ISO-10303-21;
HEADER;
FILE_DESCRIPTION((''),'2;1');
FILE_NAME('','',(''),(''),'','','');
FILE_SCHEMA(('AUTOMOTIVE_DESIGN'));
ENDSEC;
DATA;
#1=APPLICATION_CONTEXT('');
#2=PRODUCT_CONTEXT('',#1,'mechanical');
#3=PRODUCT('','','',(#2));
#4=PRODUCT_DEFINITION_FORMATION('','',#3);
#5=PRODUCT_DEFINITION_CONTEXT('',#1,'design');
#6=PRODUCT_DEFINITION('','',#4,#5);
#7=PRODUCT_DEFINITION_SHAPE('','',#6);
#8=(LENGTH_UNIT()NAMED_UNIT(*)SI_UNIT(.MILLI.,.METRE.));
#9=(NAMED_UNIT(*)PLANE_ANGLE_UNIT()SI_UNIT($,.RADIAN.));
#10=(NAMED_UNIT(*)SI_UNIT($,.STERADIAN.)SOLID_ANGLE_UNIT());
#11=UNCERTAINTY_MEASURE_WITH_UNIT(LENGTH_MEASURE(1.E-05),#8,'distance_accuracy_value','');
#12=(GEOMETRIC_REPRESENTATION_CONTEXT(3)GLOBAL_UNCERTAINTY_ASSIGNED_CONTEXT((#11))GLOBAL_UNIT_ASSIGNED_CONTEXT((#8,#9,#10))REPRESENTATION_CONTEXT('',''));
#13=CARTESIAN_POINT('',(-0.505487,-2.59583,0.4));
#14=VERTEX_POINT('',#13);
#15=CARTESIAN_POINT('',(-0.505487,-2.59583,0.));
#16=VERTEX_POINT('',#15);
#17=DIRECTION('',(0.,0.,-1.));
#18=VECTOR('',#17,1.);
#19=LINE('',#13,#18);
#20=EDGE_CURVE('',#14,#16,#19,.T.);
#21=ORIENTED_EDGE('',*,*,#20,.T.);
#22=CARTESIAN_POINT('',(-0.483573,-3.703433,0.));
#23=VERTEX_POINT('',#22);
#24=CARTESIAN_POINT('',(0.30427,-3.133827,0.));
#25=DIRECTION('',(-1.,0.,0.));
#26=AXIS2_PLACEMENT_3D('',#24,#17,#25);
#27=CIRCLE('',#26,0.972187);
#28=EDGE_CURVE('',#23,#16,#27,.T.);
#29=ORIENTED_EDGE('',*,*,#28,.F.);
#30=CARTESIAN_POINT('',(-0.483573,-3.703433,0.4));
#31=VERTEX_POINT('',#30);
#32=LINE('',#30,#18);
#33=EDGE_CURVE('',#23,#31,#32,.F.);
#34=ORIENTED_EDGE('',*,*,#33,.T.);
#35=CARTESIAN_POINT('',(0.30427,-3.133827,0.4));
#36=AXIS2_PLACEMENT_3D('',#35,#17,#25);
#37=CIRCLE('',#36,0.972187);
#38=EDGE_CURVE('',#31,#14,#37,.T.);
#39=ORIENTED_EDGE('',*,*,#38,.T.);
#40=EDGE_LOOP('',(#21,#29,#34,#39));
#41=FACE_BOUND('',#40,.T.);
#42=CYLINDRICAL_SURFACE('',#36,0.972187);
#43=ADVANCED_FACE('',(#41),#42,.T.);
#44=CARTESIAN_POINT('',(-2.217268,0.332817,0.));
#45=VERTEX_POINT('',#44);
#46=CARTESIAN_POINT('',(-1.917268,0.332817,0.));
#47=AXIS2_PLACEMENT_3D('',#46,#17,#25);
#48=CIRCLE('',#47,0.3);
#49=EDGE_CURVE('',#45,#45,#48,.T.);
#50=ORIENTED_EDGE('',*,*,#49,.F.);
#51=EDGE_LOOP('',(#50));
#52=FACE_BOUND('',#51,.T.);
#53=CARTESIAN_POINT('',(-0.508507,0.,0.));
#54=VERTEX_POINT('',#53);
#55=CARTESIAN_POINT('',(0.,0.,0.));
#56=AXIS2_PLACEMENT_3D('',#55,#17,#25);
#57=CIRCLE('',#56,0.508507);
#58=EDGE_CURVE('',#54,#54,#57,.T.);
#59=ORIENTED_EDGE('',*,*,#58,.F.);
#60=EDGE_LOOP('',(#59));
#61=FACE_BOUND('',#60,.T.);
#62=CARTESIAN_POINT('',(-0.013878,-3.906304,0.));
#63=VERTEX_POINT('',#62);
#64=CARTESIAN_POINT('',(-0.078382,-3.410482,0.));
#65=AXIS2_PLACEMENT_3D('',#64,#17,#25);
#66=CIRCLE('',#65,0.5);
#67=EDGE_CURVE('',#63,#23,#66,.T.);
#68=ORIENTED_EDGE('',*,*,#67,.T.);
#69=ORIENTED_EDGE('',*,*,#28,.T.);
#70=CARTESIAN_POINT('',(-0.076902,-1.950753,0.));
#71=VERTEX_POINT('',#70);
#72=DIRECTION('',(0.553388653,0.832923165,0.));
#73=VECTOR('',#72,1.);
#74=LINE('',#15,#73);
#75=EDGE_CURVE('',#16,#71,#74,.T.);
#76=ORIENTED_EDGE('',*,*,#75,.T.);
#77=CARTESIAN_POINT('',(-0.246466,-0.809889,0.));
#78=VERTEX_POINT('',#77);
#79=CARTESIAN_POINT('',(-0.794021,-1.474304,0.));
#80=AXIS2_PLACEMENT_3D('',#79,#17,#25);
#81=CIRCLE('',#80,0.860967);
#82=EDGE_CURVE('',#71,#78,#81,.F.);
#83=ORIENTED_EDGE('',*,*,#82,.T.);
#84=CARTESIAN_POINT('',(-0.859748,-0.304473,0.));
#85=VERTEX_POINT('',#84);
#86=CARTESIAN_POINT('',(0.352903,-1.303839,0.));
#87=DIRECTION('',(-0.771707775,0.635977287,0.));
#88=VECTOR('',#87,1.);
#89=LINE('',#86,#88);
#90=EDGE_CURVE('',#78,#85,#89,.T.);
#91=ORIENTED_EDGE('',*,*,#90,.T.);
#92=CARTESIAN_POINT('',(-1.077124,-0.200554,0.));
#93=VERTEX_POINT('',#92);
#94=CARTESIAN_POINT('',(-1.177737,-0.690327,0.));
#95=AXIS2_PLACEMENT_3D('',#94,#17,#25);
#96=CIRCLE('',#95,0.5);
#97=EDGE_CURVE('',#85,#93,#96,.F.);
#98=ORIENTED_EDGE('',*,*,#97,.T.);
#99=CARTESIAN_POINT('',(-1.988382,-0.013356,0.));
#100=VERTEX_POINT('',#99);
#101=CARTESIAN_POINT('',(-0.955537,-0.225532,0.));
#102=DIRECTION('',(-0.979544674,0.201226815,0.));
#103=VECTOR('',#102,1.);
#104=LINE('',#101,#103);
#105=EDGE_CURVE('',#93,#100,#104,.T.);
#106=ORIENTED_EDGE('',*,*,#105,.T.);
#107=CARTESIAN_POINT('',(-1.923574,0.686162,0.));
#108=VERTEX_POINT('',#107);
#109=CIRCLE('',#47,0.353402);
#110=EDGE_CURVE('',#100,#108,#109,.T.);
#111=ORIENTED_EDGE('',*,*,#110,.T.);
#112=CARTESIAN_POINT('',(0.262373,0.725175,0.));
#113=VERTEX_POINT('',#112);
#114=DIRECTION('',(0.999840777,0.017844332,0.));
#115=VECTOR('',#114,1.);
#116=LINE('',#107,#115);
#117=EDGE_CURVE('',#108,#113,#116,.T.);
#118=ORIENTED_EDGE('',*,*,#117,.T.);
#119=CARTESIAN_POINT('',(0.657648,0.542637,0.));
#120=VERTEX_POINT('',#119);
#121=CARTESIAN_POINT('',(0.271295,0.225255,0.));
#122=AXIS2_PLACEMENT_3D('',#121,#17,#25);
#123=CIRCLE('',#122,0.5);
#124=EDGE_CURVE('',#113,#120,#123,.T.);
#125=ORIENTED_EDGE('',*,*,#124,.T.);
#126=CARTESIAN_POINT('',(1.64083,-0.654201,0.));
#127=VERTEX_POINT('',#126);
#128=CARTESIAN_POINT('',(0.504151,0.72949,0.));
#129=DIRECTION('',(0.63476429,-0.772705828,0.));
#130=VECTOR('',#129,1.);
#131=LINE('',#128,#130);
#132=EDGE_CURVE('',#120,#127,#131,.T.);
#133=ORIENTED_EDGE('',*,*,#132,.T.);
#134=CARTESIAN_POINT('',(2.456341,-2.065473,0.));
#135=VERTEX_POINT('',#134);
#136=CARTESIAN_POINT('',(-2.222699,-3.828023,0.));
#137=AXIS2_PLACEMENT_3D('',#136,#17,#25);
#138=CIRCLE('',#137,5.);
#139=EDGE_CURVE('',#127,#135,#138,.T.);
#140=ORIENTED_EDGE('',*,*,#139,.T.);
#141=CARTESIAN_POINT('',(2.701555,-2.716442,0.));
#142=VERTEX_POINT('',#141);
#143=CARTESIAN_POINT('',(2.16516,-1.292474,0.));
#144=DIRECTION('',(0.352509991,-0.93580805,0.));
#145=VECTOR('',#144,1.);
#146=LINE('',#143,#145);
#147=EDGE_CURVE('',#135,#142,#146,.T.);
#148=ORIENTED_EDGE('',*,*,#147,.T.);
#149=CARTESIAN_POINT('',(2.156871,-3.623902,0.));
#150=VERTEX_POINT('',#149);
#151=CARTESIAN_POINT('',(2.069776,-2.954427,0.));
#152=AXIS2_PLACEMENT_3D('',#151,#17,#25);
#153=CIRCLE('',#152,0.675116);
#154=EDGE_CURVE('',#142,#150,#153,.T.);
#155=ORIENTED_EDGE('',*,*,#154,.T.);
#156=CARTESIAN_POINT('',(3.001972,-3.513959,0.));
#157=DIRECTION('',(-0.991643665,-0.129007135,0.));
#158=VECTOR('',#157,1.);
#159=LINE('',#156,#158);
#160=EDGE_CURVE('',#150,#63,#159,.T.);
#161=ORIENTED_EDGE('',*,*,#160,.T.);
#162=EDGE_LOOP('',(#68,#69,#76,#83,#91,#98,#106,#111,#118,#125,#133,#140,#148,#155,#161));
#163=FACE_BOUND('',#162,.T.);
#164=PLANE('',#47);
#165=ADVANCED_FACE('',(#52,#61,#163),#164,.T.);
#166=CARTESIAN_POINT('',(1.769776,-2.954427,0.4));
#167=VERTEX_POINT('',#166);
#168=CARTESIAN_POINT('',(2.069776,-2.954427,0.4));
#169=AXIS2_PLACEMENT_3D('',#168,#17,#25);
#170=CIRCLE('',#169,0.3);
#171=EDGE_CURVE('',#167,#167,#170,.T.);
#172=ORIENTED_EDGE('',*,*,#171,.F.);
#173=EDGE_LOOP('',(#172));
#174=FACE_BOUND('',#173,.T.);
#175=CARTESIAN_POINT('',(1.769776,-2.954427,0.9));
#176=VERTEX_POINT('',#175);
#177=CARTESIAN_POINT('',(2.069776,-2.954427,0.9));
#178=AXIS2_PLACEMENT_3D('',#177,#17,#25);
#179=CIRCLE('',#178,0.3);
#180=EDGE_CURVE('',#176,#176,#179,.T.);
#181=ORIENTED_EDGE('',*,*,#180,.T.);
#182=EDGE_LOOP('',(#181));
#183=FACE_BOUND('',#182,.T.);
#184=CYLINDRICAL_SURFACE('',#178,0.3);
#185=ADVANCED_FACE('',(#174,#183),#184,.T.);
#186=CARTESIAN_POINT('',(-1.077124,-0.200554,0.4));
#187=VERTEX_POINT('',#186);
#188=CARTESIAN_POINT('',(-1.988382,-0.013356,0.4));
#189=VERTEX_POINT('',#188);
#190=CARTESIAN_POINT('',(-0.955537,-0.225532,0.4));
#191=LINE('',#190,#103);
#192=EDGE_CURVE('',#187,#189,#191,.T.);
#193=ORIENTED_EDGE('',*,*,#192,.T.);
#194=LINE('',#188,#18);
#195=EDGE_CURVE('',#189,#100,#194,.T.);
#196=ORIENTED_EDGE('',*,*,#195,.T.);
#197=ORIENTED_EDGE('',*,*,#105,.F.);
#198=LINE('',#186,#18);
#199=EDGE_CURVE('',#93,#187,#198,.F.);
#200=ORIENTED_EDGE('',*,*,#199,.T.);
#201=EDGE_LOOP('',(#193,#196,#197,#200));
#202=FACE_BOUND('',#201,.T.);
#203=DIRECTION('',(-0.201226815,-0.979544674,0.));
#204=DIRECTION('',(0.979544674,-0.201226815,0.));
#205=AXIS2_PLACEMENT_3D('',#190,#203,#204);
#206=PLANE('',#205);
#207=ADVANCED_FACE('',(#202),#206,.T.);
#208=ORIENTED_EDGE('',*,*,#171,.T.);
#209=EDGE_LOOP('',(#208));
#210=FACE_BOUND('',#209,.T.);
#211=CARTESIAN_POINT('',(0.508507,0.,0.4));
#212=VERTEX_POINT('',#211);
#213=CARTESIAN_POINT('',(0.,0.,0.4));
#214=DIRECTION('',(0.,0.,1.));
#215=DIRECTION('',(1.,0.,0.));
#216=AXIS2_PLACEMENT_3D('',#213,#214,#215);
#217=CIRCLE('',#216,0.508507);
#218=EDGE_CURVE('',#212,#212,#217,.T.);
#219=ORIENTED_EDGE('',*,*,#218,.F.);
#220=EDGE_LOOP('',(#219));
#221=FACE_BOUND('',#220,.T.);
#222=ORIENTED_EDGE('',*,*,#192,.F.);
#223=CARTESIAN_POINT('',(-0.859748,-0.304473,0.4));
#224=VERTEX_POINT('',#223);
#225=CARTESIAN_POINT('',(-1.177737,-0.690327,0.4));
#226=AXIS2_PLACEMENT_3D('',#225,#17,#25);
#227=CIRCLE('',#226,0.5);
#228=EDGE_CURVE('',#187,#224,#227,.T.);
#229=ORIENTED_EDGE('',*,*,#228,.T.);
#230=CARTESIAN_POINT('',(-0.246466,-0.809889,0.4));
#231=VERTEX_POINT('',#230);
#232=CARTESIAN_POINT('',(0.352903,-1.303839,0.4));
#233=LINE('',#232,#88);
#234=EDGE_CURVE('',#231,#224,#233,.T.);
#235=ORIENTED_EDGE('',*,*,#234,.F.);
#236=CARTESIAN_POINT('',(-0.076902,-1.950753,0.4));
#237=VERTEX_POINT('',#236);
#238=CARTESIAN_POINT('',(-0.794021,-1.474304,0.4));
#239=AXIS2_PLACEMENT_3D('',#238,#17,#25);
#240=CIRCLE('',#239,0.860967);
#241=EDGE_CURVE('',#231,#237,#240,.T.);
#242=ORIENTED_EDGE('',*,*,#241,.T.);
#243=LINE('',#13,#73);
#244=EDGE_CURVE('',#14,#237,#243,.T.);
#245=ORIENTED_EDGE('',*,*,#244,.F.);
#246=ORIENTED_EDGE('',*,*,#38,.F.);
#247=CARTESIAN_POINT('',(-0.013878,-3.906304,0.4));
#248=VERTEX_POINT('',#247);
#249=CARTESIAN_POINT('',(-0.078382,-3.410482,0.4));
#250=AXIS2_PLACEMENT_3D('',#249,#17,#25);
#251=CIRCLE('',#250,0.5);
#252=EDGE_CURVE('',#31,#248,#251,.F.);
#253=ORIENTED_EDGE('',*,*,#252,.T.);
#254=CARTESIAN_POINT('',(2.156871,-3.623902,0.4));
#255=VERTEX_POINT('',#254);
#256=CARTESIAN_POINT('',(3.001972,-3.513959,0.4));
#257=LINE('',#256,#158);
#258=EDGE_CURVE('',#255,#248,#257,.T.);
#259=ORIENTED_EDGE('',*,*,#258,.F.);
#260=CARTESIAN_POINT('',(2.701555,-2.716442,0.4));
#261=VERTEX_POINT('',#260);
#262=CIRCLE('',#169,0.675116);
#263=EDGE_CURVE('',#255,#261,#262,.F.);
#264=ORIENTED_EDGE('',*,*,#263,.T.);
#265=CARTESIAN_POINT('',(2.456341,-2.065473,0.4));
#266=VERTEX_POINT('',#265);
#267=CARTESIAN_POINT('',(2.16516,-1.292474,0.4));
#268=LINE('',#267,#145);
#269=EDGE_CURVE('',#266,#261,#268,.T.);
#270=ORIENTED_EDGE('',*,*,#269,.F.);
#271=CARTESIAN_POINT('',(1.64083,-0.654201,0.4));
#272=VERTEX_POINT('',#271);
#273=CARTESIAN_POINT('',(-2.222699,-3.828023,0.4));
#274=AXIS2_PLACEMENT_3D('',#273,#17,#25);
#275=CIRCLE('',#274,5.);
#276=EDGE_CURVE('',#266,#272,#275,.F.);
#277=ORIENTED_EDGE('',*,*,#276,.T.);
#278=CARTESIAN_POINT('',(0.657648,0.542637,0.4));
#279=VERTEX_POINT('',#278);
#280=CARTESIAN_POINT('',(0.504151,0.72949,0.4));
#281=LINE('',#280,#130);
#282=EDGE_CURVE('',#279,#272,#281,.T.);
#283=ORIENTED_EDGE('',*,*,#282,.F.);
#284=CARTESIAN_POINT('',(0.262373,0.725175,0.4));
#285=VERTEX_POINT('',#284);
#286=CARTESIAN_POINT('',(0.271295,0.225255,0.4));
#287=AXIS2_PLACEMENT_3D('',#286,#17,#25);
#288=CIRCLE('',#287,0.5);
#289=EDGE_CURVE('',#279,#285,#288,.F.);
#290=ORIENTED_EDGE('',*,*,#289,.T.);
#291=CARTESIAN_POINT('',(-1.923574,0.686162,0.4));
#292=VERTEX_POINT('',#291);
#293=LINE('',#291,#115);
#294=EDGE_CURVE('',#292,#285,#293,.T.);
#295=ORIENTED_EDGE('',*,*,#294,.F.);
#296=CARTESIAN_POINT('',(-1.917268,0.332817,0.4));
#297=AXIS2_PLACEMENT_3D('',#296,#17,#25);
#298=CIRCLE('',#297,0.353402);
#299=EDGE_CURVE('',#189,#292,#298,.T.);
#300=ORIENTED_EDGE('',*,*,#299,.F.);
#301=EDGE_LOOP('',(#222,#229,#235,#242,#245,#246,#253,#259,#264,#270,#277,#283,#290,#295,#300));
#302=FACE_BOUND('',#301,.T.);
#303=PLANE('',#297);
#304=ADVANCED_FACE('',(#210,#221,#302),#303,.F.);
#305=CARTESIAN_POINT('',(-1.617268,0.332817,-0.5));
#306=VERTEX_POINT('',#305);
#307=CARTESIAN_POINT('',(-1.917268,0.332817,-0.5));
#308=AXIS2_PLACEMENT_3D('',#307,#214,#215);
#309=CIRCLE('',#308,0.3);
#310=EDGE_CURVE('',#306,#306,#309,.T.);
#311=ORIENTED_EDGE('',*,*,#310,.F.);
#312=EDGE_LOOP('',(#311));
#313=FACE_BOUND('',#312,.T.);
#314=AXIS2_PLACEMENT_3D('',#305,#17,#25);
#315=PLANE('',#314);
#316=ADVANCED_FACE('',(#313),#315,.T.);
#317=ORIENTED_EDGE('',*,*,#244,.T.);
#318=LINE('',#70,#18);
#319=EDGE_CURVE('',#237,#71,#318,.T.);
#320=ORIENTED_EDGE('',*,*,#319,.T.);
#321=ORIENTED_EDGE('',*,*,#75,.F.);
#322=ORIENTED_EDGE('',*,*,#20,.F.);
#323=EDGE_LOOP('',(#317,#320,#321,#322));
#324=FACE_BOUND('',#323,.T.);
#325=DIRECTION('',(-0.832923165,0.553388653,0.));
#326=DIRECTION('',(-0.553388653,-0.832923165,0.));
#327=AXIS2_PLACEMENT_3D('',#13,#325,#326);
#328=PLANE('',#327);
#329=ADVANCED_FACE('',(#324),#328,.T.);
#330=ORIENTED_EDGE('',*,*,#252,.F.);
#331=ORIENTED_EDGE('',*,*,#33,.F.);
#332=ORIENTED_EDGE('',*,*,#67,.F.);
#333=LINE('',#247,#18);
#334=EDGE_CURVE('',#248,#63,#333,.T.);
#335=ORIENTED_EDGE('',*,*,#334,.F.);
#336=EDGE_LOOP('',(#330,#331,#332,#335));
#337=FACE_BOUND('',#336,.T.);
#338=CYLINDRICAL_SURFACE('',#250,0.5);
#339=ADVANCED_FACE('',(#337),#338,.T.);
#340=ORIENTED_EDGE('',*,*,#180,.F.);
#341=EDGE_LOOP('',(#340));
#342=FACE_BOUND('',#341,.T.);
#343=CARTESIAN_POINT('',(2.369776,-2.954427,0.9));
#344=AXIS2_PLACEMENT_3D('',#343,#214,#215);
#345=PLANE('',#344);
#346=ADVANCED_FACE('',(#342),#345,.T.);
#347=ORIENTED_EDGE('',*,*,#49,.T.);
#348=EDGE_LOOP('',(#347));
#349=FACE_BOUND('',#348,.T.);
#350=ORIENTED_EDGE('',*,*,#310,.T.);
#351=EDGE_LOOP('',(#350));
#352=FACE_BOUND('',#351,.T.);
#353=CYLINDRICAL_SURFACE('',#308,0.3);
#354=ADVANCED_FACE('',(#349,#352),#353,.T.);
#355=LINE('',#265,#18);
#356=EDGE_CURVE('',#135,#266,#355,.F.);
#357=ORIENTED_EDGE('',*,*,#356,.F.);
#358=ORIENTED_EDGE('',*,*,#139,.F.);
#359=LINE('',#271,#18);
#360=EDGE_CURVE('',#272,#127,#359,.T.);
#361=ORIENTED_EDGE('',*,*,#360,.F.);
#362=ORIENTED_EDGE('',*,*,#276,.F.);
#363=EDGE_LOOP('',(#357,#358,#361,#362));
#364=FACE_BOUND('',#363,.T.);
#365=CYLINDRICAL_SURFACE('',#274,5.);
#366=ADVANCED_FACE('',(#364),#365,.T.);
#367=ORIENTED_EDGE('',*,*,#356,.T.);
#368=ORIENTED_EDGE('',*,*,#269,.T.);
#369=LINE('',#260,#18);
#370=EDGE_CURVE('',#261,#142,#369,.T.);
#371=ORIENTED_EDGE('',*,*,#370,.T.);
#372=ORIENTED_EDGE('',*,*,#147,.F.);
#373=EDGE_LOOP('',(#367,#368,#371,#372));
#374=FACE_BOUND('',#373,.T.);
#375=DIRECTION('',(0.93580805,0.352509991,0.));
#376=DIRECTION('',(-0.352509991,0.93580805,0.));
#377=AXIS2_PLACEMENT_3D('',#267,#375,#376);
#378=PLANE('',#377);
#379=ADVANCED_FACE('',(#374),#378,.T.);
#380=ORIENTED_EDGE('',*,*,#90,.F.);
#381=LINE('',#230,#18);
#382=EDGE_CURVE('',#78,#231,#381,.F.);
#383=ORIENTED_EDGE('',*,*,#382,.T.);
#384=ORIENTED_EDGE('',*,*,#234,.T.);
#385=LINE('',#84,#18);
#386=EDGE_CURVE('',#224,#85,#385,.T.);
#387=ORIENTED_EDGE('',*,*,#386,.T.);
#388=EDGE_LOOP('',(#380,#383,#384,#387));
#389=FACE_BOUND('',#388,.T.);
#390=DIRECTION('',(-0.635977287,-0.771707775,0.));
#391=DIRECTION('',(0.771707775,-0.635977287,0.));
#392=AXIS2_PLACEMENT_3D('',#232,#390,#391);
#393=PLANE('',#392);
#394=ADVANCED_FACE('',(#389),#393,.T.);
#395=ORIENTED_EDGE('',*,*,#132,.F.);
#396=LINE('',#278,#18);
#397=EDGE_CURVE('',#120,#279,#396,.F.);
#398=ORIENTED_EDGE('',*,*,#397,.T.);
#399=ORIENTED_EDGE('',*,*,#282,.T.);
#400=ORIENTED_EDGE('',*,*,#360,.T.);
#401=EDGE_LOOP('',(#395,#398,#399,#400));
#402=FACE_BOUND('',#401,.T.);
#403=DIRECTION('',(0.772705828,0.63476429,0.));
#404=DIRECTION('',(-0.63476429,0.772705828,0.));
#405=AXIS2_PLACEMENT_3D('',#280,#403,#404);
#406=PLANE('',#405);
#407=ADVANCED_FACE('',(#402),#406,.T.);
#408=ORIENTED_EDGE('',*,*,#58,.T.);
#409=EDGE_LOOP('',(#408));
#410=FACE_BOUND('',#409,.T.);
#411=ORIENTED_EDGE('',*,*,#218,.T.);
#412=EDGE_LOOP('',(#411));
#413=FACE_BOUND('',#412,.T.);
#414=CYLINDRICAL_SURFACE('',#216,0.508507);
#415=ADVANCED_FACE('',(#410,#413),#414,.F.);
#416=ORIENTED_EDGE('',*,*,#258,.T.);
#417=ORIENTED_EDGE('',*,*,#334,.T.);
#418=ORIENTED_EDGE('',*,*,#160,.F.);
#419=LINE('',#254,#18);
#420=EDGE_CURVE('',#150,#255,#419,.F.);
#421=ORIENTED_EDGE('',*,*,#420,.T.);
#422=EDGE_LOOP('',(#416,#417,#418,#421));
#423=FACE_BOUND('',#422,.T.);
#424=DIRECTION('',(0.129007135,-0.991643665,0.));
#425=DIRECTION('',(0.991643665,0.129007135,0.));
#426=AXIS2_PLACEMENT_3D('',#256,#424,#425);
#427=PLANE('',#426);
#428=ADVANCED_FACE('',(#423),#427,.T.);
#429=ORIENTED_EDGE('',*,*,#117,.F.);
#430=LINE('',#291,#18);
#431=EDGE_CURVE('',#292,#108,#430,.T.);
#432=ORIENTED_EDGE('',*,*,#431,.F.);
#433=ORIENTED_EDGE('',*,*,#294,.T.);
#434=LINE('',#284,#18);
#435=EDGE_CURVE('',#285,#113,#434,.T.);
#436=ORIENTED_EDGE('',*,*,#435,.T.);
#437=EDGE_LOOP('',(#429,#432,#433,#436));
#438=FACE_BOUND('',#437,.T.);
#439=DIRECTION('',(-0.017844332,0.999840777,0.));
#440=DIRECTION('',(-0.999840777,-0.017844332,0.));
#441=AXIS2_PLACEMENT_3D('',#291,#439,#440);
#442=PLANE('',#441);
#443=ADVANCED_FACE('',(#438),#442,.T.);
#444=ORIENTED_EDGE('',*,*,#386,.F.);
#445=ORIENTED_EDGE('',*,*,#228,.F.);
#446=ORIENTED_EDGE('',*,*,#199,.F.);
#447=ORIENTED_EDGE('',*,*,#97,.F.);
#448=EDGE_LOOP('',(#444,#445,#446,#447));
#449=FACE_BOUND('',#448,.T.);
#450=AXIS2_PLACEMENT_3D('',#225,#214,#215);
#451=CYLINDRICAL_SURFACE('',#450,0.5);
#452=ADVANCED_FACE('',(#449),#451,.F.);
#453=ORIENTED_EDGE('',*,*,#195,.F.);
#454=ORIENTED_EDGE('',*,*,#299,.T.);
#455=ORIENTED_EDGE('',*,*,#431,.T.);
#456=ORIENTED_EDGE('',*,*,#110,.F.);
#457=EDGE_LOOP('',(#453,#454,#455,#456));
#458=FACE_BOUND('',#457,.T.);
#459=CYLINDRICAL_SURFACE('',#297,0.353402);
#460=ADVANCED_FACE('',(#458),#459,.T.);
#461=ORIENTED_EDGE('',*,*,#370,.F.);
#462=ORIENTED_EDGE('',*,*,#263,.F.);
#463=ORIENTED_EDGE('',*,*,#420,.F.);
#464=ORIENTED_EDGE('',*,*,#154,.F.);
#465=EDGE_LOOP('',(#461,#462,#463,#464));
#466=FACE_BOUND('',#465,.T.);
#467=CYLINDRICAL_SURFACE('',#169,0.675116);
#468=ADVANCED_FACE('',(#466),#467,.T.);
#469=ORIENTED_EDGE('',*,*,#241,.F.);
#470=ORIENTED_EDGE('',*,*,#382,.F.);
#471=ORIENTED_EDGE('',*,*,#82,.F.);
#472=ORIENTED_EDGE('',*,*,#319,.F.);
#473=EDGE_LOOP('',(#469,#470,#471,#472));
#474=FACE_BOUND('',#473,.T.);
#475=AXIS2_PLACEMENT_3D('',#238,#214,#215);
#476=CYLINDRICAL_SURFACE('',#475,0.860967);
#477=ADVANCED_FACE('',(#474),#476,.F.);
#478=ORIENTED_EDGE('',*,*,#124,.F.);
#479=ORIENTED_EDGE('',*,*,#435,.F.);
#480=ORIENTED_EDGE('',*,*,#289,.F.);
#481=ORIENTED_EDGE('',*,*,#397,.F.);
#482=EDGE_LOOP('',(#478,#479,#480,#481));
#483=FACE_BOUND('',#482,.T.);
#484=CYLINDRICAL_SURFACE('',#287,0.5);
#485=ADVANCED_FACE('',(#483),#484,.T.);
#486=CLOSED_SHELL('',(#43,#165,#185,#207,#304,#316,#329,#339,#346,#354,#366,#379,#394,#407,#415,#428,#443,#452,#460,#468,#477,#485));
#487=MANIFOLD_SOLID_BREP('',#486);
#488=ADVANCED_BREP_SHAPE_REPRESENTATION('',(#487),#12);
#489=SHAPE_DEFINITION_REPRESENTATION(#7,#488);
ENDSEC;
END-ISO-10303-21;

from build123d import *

# Parameters (mm, degrees)
BOSS_EXTRUDE1_DEPTH = 0.4
SKETCH2_W           = 0.3
SKETCH2_H           = 0.5
SKETCH3_W           = 0.3
SKETCH3_H           = 0.5
HOLE1_D             = 1.0170144
HOLE1_DEPTH         = 0.9
FILLET1_R           = 0.5
FILLET2_R           = 0.675116289
FILLET3_R           = 0.860966661
FILLET4_R           = 5


with BuildPart() as part:
    # Sketch1 → Boss-Extrude1 (new body)
    with BuildSketch(Plane(origin=(0, 0, 0), x_dir=(-1, 0, 0), z_dir=(0, 0, -1))):
        with BuildLine():
            Line((1.92357438, 0.686162269), (-0.504151468, 0.729490315))
            Line((-0.504151468, 0.729490315), (-2.165159681, -1.292473972))
            Line((-2.165159681, -1.292473972), (-3.001972093, -3.513959355))
            Line((-3.001972093, -3.513959355), (0.244519319, -3.936309209))
            ThreePointArc((0.244519319, -3.936309209), (0.65000118, -3.31960662), (0.50548708, -2.595829516))
            Line((0.50548708, -2.595829516), (-0.352902824, -1.303839102))
            Line((-0.352902824, -1.303839102), (0.955537124, -0.225531852))
            Line((0.955537124, -0.225531852), (1.988382035, -0.013355626))
            ThreePointArc((1.988382035, -0.013355626), (2.269162736, 0.365418669), (1.92357438, 0.686162269))
        make_face()
    extrude(amount=-BOSS_EXTRUDE1_DEPTH)

    # Sketch2 → Revolve1 (revolve)
    with BuildSketch(Plane.XZ.offset(2.954427416)):
        with Locations((2.219775702, 0.65)):
            Rectangle(SKETCH2_W, SKETCH2_H)
    revolve(axis=Axis((2.069775702, -2.954427416, 0.9), (0, 0, -1)))

    # Sketch3 → Revolve2 (revolve)
    with BuildSketch(Plane(origin=(0, 0.332816985, 0), x_dir=(1, 0, 0), z_dir=(0, 1, 0))):
        with Locations((-1.767268165, 0.25)):
            Rectangle(SKETCH3_W, SKETCH3_H)
    revolve(axis=Axis((-1.917268165, 0.332816985, -0.5), (0, 0, 1)))

    # Hole1
    with Locations(Plane.XY.offset(0.4)):
        with Locations((0, 0)):
            Hole(HOLE1_D / 2, depth=HOLE1_DEPTH)

    # Fillet1
    fillet1_edges = [part.edges().sort_by_distance(p)[0] for p in [
        (-0.955537124, -0.225531852, 0.2),
        (-0.244519319, -3.936309209, 0.2),
        (0.504151468, 0.729490315, 0.2),
    ]]
    fillet(fillet1_edges, radius=FILLET1_R)

    # Fillet2
    fillet2_edges = [part.edges().sort_by_distance(p)[0] for p in [
        (3.001972093, -3.513959355, 0.2),
    ]]
    fillet(fillet2_edges, radius=FILLET2_R)

    # Fillet3
    fillet3_edges = [part.edges().sort_by_distance(p)[0] for p in [
        (0.352902824, -1.303839102, 0.2),
    ]]
    fillet(fillet3_edges, radius=FILLET3_R)

    # Fillet4
    fillet4_edges = [part.edges().sort_by_distance(p)[0] for p in [
        (2.165159681, -1.292473972, 0.2),
    ]]
    fillet(fillet4_edges, radius=FILLET4_R)


solid = part.part
